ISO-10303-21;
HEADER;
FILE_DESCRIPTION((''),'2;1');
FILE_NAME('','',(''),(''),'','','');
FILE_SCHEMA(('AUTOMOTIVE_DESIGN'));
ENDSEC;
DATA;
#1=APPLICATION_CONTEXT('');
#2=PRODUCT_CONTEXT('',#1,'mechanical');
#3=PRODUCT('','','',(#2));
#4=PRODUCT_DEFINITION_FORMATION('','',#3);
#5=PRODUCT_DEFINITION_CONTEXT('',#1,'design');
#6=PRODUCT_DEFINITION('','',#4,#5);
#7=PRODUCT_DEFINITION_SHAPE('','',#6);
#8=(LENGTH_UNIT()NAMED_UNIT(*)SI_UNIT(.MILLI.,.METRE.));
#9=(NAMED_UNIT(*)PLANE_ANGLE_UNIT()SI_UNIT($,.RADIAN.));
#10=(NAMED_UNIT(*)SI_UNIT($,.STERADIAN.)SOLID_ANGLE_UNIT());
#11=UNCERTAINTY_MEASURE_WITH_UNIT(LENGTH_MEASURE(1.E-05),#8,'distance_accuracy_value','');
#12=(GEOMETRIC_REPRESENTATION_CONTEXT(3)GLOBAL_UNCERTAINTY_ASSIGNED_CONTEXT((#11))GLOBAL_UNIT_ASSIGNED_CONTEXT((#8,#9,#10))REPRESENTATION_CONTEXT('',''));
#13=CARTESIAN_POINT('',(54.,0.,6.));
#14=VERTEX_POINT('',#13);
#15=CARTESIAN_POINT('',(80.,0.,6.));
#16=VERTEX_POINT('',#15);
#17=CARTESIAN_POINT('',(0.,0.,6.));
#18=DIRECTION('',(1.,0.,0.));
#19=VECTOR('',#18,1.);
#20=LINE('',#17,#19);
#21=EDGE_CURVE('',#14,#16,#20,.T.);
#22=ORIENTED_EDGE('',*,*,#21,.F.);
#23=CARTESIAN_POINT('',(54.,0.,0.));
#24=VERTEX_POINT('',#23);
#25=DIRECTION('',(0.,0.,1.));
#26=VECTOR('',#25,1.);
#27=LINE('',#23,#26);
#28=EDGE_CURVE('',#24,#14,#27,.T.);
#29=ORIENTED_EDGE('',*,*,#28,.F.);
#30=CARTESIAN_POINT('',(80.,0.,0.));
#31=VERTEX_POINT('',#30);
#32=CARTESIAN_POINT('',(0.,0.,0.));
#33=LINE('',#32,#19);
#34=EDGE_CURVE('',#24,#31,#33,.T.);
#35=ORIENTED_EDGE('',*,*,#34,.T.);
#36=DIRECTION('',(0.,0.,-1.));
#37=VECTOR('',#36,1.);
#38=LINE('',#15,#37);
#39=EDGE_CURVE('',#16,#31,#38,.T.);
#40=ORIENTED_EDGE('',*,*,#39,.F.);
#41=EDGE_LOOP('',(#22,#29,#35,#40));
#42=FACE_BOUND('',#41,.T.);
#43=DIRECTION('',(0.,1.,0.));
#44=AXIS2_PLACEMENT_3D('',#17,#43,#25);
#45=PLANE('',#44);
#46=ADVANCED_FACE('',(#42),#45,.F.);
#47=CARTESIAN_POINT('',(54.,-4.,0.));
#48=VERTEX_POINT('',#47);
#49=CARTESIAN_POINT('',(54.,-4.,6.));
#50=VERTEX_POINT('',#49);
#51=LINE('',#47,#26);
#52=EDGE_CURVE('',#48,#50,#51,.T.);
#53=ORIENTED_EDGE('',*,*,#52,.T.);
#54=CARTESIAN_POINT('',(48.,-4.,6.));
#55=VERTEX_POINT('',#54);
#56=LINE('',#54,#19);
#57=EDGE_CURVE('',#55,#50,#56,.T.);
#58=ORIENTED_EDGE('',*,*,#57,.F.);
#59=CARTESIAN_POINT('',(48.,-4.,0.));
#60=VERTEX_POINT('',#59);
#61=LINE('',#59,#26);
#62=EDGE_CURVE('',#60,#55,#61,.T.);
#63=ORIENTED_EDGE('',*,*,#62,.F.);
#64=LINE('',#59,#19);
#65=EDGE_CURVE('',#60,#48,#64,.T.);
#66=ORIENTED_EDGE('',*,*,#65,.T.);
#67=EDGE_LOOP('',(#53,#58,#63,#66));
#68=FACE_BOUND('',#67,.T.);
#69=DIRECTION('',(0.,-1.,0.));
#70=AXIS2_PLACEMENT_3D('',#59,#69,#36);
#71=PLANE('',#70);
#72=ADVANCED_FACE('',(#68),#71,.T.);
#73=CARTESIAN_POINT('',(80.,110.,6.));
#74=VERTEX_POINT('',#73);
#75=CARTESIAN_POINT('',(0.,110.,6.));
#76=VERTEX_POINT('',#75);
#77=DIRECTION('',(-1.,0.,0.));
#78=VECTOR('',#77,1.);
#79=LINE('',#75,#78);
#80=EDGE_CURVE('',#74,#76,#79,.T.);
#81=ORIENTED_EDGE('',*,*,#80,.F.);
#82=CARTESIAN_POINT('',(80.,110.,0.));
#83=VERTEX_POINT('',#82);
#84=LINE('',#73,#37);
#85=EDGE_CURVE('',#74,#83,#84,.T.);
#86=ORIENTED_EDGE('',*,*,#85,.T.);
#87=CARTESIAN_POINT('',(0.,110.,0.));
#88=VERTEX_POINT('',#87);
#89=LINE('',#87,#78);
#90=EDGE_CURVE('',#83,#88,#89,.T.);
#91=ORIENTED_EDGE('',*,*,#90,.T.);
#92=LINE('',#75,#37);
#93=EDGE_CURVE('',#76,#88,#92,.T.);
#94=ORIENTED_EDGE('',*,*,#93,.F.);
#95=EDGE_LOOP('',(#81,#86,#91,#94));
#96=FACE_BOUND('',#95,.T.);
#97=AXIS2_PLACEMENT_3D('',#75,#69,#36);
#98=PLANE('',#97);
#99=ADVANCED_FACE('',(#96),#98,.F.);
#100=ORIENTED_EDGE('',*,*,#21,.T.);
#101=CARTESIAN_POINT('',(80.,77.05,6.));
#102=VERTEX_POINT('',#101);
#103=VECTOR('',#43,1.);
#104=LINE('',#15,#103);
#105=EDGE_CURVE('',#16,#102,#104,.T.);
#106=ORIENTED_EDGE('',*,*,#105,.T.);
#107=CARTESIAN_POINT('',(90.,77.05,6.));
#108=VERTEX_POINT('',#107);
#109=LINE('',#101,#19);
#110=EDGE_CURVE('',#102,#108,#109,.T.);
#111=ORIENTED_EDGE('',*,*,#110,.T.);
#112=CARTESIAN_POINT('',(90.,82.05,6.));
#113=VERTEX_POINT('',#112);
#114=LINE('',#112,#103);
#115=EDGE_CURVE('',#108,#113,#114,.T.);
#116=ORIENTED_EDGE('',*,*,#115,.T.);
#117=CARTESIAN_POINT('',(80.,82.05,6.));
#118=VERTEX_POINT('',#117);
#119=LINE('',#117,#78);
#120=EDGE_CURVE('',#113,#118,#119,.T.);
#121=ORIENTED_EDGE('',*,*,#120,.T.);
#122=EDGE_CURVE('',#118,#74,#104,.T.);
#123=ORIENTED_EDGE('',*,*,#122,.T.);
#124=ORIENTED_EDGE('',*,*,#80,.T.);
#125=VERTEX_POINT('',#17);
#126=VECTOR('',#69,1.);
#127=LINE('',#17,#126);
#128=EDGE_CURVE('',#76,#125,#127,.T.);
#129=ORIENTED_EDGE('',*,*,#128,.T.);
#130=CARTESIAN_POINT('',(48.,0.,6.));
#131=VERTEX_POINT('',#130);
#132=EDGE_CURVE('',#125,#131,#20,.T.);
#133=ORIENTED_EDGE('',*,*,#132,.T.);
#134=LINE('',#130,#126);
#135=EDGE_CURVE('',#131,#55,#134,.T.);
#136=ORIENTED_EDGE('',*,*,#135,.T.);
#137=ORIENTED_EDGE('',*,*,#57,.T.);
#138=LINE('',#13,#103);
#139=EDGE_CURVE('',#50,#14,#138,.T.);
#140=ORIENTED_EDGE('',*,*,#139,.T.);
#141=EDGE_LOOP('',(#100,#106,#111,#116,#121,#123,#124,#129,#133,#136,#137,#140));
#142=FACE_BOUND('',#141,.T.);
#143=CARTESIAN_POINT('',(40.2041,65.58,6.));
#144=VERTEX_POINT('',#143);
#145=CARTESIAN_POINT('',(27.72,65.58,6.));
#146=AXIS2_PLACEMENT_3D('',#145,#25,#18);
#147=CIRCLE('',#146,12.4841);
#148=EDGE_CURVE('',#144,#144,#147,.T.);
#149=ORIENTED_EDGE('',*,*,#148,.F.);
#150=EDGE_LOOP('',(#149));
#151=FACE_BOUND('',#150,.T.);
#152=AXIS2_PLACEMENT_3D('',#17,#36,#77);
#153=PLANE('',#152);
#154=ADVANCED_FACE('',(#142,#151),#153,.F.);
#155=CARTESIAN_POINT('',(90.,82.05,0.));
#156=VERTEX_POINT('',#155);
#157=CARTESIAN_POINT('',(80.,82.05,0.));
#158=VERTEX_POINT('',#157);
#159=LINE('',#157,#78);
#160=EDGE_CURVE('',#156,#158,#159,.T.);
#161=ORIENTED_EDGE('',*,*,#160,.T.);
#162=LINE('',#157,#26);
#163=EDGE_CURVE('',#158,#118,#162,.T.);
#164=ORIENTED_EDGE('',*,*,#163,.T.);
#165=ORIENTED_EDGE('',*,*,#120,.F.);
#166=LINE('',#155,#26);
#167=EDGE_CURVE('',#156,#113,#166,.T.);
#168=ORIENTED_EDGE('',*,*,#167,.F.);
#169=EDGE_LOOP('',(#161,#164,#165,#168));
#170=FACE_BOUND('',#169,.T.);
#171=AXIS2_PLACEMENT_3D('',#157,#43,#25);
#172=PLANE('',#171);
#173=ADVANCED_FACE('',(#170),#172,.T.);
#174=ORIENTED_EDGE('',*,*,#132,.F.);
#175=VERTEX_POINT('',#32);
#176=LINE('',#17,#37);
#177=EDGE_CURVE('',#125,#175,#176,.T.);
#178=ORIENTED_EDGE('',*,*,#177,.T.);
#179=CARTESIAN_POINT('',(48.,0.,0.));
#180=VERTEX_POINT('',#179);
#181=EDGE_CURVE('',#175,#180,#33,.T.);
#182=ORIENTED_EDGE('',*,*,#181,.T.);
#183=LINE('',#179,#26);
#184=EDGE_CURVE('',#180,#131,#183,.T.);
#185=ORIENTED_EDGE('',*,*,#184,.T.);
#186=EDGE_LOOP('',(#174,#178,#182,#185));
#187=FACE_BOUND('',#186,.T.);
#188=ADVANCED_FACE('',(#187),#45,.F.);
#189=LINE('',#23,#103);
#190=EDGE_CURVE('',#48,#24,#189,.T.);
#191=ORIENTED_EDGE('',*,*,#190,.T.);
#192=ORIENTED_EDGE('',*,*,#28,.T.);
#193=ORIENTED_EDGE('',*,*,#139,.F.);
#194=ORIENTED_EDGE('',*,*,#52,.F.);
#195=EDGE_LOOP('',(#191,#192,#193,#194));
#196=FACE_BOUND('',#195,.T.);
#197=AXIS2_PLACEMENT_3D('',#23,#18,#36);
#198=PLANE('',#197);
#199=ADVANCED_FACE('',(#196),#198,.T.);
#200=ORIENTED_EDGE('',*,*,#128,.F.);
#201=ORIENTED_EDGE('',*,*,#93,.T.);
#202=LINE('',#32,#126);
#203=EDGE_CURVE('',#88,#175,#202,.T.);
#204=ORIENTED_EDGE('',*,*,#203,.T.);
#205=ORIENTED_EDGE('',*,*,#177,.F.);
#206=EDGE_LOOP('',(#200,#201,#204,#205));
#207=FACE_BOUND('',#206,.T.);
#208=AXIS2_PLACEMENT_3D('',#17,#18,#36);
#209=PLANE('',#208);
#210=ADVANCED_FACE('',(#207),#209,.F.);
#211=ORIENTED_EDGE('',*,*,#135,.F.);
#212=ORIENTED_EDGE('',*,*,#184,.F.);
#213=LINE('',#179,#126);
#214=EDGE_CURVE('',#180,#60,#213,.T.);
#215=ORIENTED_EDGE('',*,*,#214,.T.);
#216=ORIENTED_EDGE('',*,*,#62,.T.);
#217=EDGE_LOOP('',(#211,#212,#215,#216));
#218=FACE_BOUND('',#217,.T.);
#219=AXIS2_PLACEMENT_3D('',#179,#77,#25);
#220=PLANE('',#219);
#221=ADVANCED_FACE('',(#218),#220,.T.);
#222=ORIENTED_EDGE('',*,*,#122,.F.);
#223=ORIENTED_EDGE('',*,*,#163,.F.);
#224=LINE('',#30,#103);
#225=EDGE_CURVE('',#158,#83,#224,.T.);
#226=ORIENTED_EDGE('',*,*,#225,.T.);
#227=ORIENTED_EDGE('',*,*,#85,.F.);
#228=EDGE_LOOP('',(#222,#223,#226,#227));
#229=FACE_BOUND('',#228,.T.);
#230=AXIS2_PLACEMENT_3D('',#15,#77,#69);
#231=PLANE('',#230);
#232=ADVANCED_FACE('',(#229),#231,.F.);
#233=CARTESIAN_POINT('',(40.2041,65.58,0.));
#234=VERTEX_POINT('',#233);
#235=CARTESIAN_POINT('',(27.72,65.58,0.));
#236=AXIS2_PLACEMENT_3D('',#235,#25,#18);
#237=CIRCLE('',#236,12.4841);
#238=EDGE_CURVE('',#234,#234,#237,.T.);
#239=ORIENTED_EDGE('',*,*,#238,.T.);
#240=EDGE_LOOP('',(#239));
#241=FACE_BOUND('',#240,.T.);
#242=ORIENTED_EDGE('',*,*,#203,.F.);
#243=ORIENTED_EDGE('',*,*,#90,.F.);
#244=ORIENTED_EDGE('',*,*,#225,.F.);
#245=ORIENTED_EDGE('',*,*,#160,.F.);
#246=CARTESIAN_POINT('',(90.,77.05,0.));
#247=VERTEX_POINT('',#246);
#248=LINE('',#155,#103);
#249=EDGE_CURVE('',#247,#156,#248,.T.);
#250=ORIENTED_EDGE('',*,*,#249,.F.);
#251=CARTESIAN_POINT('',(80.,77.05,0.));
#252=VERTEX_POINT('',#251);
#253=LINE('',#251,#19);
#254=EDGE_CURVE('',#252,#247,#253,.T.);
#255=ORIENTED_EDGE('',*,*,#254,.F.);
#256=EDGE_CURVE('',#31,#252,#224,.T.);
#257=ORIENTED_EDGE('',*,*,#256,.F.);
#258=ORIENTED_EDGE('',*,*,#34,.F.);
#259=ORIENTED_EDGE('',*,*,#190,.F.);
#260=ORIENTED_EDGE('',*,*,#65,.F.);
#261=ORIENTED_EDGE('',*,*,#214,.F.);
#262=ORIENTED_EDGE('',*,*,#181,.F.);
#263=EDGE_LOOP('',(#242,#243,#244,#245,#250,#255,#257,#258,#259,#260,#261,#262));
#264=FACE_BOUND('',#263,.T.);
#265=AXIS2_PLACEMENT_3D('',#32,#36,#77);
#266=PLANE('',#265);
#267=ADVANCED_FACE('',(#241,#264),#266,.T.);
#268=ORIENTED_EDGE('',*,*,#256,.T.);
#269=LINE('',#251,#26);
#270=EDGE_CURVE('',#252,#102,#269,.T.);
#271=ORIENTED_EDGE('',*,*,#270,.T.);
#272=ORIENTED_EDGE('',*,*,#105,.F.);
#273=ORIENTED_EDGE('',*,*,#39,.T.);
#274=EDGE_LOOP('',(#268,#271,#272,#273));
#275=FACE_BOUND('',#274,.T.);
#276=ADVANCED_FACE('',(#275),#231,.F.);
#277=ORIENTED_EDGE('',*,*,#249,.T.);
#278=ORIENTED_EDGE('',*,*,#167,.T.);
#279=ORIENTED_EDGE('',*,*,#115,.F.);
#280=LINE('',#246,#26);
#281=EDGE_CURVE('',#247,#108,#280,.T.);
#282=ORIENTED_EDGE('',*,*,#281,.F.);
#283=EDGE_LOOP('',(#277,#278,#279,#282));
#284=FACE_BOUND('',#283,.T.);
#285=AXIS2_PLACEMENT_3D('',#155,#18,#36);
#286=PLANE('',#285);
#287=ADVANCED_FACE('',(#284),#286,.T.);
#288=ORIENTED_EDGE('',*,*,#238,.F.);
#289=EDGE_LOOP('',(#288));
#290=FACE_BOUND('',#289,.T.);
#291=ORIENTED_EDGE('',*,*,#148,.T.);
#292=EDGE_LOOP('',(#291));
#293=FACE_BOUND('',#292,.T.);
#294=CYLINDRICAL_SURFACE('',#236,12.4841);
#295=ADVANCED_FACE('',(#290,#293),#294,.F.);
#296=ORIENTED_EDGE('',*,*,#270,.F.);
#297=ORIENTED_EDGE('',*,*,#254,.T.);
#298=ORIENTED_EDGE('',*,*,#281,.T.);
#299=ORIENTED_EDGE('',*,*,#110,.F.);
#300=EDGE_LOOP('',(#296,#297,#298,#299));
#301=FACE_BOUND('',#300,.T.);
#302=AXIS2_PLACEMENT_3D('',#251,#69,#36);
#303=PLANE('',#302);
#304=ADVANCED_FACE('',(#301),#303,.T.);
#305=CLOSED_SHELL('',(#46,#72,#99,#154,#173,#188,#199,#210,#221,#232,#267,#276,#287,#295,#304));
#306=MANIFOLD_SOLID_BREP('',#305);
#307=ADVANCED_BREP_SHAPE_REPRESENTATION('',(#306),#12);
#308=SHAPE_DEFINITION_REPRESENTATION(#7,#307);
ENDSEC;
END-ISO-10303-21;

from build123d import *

# Parameters (mm, degrees)
SKETCH3_W           = 80
SKETCH3_H           = 110
BOSS_EXTRUDE1_DEPTH = 6
SKETCH4_W           = 6
SKETCH4_H           = 4
BOSS_EXTRUDE2_DEPTH = 6
SKETCH6_W           = 10
SKETCH6_H           = 5
BOSS_EXTRUDE3_DEPTH = 6
SKETCH8_R           = 12.4841
CUT_EXTRUDE1_DEPTH  = 6


with BuildPart() as part:
    # Sketch3 → Boss-Extrude1 (new body)
    with BuildSketch(Plane.XY):
        with Locations((40, 55)):
            Rectangle(SKETCH3_W, SKETCH3_H)
    extrude(amount=BOSS_EXTRUDE1_DEPTH)

    # Sketch4 → Boss-Extrude2 (add)
    with BuildSketch(Plane.XY.offset(6)):
        with Locations((51, -2)):
            Rectangle(SKETCH4_W, SKETCH4_H)
    extrude(amount=-BOSS_EXTRUDE2_DEPTH)

    # Sketch6 → Boss-Extrude3 (add)
    with BuildSketch(Plane.XY.offset(6)):
        with Locations((85, 79.55)):
            Rectangle(SKETCH6_W, SKETCH6_H)
    extrude(amount=-BOSS_EXTRUDE3_DEPTH)

    # Sketch8 → Cut-Extrude1 (cut)
    with BuildSketch(Plane.XY.offset(6)):
        with Locations((27.72, 65.58)):
            Circle(SKETCH8_R)
    extrude(amount=-CUT_EXTRUDE1_DEPTH, mode=Mode.SUBTRACT)


solid = part.part
